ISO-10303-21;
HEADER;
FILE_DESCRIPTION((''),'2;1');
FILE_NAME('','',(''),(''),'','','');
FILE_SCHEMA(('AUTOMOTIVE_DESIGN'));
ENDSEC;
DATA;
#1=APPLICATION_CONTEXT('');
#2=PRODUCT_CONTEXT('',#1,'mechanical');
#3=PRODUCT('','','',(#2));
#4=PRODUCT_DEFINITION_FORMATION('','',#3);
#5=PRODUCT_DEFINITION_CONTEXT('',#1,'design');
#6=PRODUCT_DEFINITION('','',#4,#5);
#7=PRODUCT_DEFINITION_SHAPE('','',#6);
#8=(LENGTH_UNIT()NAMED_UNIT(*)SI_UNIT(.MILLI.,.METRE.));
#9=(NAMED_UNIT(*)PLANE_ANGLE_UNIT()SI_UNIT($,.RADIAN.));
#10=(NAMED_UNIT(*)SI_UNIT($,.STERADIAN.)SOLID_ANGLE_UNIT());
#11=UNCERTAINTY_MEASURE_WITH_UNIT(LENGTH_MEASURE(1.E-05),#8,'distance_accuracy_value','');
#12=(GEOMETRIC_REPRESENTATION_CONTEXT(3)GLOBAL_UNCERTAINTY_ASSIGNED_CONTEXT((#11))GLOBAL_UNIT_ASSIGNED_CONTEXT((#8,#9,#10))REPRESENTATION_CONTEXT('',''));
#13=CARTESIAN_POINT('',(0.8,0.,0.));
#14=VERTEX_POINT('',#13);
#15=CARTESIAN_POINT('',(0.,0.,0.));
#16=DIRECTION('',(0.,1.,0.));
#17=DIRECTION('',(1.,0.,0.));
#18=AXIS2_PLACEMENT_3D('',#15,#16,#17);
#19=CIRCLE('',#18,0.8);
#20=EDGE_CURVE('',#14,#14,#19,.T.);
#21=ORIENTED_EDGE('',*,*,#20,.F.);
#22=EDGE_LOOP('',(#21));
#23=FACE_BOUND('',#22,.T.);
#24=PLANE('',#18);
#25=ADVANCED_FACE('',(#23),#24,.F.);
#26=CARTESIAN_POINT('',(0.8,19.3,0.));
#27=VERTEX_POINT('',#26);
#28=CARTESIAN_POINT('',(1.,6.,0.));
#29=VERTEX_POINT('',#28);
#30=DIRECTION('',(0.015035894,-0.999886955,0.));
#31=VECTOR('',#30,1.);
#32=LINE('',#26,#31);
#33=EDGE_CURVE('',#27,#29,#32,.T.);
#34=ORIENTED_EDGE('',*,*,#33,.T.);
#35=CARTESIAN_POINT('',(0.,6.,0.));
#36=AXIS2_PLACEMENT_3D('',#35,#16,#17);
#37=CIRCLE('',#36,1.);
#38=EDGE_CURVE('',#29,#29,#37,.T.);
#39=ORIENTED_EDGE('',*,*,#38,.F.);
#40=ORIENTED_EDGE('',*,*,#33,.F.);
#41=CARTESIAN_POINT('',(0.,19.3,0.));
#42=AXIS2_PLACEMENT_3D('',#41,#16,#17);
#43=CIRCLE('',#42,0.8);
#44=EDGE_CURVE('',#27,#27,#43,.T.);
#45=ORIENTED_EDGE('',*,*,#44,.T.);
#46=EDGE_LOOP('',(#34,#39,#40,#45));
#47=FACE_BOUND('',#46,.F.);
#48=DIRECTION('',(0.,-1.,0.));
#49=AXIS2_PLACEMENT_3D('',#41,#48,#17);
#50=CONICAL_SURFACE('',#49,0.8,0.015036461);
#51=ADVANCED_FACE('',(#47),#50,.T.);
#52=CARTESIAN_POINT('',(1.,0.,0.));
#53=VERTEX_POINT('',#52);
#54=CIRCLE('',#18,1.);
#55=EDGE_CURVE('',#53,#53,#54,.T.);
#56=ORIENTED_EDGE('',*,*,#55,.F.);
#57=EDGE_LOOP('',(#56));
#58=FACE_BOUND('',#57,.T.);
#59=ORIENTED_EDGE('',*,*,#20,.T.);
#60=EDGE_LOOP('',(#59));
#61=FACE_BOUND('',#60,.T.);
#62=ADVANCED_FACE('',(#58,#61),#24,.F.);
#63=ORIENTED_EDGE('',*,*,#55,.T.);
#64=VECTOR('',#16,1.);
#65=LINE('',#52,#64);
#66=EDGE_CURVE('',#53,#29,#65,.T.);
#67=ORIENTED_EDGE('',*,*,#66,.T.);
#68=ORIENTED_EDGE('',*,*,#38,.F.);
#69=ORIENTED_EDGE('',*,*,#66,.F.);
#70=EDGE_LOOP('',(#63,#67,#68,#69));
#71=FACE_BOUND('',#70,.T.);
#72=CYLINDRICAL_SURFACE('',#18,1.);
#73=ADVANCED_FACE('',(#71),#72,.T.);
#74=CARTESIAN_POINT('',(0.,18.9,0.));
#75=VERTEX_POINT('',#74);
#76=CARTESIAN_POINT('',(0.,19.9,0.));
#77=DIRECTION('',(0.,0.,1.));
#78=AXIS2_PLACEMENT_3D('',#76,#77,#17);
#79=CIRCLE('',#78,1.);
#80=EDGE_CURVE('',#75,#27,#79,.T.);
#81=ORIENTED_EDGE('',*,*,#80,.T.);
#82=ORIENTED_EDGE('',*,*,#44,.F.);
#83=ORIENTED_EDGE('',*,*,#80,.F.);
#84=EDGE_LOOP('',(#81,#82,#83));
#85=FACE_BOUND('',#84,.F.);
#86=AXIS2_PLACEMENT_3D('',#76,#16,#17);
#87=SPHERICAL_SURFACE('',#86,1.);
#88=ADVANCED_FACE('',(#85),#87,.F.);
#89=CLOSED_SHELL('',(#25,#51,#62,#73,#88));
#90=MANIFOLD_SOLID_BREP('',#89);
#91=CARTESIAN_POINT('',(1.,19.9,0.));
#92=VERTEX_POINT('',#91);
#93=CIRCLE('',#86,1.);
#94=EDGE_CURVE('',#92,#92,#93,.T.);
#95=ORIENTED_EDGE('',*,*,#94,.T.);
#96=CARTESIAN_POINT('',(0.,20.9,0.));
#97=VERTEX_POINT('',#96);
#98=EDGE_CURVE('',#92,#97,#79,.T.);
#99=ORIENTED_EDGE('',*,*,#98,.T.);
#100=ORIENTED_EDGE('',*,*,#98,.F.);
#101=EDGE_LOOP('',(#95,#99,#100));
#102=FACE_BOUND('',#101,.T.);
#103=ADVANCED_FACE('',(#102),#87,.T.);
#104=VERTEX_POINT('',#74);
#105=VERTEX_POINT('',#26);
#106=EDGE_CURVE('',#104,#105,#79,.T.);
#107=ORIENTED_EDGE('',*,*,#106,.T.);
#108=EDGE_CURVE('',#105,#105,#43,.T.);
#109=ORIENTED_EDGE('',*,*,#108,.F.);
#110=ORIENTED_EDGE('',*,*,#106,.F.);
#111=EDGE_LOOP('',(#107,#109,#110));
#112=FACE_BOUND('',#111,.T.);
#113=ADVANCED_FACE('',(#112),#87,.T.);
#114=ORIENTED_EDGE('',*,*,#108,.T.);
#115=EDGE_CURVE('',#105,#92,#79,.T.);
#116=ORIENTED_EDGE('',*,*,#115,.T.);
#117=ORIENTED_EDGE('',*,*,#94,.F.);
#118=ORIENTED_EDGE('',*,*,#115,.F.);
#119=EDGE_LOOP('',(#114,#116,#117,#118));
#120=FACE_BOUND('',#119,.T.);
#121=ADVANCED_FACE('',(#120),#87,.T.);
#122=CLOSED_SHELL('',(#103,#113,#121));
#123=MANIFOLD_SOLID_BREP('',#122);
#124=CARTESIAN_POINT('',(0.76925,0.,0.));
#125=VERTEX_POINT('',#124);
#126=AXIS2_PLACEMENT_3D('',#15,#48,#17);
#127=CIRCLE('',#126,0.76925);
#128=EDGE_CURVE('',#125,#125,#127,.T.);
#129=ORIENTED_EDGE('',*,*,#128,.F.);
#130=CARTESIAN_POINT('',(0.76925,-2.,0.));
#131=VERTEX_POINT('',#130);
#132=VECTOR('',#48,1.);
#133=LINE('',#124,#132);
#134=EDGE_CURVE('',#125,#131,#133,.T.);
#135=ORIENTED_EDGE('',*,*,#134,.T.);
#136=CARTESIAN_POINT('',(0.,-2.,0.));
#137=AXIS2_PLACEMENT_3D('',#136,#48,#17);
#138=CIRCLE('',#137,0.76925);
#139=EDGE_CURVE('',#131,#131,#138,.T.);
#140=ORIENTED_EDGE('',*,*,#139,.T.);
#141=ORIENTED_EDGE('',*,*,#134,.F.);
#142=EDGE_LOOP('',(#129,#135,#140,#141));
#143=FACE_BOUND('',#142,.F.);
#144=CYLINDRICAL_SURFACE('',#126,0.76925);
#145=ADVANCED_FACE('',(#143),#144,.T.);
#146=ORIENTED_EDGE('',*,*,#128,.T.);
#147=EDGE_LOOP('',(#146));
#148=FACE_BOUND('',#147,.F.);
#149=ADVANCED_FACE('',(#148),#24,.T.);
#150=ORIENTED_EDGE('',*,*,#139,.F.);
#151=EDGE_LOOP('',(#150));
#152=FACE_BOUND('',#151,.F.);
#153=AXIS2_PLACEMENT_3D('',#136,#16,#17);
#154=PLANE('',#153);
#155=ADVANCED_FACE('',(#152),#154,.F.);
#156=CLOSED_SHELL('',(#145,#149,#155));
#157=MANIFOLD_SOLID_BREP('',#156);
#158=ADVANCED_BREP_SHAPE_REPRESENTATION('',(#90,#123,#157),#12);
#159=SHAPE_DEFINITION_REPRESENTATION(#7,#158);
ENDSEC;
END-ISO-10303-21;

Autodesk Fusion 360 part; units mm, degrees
sketch "Sketch1" plane through (0, 0, 0) normal (0, 0, 1) x (1, 0, 0)
  line L0 (0, 0) -> (1, 0)
  line L1 (1, 0) -> (1, 6)
  line L2 (0.8, 19.3) -> (1, 6)
  line L3 (0, 0) -> (0, 20.9)
  circle A0 centre (0, 19.9) radius 1
  line L4 (0, 0) -> (0.8, 0)
  line L5 (0.8, 0) -> (0.8, -2)
  line L6 (0.8, -2) -> (0, -2)
  line L7 (0, -2) -> (0, 0)
  dimension "d1" = 1
  dimension "d2" = 6
  dimension "d3" = 0.8
  dimension "d4" = 20.9
  dimension "d5" = 2
  dimension "d6" = 0.8
  dimension "d7" = 2
revolve "Revolve1" add sketch "Sketch1" angle 360 about axis through (0, 0, 0) along (0, 1, 0) contours L0 L1 L2 L3 A0 L4 makes body 1 in component "Shank"
revolve "Revolve1'" add sketch "Sketch1" angle 360 about axis through (0, -2, 0) along (0, 1, 0) separate body contours L0 L4 L5 L6 L7 makes body 2 in component "Thread"
revolve "Revolve1''" add sketch "Sketch1" angle 360 about axis through (0, 0, 0) along (0, 1, 0) separate body contours L3 A0 picked at (0.4113, 19.9934) makes body 3 in component "Ball"
thread "Thread1" "ISO Metric profile 1.6 M1.6x0.35 6g" major diameter 1.5385 minor diameter 1.1385 pitch 0.35 angle 60 resizes the face on face at (0.799, -0.6667, 0.0399) on bodies 2 in component "Thread"
component "Shank" placed x (1, 0, 0) y (0, 1, 0) z (0, 0, 1) at (0, 0, 0)
component "Thread" placed x (1, 0, 0) y (0, 1, 0) z (0, 0, 1) at (0, 0, 0)
component "Ball" placed x (1, 0, 0) y (0, 1, 0) z (0, 0, 1) at (0, 0, 0)
